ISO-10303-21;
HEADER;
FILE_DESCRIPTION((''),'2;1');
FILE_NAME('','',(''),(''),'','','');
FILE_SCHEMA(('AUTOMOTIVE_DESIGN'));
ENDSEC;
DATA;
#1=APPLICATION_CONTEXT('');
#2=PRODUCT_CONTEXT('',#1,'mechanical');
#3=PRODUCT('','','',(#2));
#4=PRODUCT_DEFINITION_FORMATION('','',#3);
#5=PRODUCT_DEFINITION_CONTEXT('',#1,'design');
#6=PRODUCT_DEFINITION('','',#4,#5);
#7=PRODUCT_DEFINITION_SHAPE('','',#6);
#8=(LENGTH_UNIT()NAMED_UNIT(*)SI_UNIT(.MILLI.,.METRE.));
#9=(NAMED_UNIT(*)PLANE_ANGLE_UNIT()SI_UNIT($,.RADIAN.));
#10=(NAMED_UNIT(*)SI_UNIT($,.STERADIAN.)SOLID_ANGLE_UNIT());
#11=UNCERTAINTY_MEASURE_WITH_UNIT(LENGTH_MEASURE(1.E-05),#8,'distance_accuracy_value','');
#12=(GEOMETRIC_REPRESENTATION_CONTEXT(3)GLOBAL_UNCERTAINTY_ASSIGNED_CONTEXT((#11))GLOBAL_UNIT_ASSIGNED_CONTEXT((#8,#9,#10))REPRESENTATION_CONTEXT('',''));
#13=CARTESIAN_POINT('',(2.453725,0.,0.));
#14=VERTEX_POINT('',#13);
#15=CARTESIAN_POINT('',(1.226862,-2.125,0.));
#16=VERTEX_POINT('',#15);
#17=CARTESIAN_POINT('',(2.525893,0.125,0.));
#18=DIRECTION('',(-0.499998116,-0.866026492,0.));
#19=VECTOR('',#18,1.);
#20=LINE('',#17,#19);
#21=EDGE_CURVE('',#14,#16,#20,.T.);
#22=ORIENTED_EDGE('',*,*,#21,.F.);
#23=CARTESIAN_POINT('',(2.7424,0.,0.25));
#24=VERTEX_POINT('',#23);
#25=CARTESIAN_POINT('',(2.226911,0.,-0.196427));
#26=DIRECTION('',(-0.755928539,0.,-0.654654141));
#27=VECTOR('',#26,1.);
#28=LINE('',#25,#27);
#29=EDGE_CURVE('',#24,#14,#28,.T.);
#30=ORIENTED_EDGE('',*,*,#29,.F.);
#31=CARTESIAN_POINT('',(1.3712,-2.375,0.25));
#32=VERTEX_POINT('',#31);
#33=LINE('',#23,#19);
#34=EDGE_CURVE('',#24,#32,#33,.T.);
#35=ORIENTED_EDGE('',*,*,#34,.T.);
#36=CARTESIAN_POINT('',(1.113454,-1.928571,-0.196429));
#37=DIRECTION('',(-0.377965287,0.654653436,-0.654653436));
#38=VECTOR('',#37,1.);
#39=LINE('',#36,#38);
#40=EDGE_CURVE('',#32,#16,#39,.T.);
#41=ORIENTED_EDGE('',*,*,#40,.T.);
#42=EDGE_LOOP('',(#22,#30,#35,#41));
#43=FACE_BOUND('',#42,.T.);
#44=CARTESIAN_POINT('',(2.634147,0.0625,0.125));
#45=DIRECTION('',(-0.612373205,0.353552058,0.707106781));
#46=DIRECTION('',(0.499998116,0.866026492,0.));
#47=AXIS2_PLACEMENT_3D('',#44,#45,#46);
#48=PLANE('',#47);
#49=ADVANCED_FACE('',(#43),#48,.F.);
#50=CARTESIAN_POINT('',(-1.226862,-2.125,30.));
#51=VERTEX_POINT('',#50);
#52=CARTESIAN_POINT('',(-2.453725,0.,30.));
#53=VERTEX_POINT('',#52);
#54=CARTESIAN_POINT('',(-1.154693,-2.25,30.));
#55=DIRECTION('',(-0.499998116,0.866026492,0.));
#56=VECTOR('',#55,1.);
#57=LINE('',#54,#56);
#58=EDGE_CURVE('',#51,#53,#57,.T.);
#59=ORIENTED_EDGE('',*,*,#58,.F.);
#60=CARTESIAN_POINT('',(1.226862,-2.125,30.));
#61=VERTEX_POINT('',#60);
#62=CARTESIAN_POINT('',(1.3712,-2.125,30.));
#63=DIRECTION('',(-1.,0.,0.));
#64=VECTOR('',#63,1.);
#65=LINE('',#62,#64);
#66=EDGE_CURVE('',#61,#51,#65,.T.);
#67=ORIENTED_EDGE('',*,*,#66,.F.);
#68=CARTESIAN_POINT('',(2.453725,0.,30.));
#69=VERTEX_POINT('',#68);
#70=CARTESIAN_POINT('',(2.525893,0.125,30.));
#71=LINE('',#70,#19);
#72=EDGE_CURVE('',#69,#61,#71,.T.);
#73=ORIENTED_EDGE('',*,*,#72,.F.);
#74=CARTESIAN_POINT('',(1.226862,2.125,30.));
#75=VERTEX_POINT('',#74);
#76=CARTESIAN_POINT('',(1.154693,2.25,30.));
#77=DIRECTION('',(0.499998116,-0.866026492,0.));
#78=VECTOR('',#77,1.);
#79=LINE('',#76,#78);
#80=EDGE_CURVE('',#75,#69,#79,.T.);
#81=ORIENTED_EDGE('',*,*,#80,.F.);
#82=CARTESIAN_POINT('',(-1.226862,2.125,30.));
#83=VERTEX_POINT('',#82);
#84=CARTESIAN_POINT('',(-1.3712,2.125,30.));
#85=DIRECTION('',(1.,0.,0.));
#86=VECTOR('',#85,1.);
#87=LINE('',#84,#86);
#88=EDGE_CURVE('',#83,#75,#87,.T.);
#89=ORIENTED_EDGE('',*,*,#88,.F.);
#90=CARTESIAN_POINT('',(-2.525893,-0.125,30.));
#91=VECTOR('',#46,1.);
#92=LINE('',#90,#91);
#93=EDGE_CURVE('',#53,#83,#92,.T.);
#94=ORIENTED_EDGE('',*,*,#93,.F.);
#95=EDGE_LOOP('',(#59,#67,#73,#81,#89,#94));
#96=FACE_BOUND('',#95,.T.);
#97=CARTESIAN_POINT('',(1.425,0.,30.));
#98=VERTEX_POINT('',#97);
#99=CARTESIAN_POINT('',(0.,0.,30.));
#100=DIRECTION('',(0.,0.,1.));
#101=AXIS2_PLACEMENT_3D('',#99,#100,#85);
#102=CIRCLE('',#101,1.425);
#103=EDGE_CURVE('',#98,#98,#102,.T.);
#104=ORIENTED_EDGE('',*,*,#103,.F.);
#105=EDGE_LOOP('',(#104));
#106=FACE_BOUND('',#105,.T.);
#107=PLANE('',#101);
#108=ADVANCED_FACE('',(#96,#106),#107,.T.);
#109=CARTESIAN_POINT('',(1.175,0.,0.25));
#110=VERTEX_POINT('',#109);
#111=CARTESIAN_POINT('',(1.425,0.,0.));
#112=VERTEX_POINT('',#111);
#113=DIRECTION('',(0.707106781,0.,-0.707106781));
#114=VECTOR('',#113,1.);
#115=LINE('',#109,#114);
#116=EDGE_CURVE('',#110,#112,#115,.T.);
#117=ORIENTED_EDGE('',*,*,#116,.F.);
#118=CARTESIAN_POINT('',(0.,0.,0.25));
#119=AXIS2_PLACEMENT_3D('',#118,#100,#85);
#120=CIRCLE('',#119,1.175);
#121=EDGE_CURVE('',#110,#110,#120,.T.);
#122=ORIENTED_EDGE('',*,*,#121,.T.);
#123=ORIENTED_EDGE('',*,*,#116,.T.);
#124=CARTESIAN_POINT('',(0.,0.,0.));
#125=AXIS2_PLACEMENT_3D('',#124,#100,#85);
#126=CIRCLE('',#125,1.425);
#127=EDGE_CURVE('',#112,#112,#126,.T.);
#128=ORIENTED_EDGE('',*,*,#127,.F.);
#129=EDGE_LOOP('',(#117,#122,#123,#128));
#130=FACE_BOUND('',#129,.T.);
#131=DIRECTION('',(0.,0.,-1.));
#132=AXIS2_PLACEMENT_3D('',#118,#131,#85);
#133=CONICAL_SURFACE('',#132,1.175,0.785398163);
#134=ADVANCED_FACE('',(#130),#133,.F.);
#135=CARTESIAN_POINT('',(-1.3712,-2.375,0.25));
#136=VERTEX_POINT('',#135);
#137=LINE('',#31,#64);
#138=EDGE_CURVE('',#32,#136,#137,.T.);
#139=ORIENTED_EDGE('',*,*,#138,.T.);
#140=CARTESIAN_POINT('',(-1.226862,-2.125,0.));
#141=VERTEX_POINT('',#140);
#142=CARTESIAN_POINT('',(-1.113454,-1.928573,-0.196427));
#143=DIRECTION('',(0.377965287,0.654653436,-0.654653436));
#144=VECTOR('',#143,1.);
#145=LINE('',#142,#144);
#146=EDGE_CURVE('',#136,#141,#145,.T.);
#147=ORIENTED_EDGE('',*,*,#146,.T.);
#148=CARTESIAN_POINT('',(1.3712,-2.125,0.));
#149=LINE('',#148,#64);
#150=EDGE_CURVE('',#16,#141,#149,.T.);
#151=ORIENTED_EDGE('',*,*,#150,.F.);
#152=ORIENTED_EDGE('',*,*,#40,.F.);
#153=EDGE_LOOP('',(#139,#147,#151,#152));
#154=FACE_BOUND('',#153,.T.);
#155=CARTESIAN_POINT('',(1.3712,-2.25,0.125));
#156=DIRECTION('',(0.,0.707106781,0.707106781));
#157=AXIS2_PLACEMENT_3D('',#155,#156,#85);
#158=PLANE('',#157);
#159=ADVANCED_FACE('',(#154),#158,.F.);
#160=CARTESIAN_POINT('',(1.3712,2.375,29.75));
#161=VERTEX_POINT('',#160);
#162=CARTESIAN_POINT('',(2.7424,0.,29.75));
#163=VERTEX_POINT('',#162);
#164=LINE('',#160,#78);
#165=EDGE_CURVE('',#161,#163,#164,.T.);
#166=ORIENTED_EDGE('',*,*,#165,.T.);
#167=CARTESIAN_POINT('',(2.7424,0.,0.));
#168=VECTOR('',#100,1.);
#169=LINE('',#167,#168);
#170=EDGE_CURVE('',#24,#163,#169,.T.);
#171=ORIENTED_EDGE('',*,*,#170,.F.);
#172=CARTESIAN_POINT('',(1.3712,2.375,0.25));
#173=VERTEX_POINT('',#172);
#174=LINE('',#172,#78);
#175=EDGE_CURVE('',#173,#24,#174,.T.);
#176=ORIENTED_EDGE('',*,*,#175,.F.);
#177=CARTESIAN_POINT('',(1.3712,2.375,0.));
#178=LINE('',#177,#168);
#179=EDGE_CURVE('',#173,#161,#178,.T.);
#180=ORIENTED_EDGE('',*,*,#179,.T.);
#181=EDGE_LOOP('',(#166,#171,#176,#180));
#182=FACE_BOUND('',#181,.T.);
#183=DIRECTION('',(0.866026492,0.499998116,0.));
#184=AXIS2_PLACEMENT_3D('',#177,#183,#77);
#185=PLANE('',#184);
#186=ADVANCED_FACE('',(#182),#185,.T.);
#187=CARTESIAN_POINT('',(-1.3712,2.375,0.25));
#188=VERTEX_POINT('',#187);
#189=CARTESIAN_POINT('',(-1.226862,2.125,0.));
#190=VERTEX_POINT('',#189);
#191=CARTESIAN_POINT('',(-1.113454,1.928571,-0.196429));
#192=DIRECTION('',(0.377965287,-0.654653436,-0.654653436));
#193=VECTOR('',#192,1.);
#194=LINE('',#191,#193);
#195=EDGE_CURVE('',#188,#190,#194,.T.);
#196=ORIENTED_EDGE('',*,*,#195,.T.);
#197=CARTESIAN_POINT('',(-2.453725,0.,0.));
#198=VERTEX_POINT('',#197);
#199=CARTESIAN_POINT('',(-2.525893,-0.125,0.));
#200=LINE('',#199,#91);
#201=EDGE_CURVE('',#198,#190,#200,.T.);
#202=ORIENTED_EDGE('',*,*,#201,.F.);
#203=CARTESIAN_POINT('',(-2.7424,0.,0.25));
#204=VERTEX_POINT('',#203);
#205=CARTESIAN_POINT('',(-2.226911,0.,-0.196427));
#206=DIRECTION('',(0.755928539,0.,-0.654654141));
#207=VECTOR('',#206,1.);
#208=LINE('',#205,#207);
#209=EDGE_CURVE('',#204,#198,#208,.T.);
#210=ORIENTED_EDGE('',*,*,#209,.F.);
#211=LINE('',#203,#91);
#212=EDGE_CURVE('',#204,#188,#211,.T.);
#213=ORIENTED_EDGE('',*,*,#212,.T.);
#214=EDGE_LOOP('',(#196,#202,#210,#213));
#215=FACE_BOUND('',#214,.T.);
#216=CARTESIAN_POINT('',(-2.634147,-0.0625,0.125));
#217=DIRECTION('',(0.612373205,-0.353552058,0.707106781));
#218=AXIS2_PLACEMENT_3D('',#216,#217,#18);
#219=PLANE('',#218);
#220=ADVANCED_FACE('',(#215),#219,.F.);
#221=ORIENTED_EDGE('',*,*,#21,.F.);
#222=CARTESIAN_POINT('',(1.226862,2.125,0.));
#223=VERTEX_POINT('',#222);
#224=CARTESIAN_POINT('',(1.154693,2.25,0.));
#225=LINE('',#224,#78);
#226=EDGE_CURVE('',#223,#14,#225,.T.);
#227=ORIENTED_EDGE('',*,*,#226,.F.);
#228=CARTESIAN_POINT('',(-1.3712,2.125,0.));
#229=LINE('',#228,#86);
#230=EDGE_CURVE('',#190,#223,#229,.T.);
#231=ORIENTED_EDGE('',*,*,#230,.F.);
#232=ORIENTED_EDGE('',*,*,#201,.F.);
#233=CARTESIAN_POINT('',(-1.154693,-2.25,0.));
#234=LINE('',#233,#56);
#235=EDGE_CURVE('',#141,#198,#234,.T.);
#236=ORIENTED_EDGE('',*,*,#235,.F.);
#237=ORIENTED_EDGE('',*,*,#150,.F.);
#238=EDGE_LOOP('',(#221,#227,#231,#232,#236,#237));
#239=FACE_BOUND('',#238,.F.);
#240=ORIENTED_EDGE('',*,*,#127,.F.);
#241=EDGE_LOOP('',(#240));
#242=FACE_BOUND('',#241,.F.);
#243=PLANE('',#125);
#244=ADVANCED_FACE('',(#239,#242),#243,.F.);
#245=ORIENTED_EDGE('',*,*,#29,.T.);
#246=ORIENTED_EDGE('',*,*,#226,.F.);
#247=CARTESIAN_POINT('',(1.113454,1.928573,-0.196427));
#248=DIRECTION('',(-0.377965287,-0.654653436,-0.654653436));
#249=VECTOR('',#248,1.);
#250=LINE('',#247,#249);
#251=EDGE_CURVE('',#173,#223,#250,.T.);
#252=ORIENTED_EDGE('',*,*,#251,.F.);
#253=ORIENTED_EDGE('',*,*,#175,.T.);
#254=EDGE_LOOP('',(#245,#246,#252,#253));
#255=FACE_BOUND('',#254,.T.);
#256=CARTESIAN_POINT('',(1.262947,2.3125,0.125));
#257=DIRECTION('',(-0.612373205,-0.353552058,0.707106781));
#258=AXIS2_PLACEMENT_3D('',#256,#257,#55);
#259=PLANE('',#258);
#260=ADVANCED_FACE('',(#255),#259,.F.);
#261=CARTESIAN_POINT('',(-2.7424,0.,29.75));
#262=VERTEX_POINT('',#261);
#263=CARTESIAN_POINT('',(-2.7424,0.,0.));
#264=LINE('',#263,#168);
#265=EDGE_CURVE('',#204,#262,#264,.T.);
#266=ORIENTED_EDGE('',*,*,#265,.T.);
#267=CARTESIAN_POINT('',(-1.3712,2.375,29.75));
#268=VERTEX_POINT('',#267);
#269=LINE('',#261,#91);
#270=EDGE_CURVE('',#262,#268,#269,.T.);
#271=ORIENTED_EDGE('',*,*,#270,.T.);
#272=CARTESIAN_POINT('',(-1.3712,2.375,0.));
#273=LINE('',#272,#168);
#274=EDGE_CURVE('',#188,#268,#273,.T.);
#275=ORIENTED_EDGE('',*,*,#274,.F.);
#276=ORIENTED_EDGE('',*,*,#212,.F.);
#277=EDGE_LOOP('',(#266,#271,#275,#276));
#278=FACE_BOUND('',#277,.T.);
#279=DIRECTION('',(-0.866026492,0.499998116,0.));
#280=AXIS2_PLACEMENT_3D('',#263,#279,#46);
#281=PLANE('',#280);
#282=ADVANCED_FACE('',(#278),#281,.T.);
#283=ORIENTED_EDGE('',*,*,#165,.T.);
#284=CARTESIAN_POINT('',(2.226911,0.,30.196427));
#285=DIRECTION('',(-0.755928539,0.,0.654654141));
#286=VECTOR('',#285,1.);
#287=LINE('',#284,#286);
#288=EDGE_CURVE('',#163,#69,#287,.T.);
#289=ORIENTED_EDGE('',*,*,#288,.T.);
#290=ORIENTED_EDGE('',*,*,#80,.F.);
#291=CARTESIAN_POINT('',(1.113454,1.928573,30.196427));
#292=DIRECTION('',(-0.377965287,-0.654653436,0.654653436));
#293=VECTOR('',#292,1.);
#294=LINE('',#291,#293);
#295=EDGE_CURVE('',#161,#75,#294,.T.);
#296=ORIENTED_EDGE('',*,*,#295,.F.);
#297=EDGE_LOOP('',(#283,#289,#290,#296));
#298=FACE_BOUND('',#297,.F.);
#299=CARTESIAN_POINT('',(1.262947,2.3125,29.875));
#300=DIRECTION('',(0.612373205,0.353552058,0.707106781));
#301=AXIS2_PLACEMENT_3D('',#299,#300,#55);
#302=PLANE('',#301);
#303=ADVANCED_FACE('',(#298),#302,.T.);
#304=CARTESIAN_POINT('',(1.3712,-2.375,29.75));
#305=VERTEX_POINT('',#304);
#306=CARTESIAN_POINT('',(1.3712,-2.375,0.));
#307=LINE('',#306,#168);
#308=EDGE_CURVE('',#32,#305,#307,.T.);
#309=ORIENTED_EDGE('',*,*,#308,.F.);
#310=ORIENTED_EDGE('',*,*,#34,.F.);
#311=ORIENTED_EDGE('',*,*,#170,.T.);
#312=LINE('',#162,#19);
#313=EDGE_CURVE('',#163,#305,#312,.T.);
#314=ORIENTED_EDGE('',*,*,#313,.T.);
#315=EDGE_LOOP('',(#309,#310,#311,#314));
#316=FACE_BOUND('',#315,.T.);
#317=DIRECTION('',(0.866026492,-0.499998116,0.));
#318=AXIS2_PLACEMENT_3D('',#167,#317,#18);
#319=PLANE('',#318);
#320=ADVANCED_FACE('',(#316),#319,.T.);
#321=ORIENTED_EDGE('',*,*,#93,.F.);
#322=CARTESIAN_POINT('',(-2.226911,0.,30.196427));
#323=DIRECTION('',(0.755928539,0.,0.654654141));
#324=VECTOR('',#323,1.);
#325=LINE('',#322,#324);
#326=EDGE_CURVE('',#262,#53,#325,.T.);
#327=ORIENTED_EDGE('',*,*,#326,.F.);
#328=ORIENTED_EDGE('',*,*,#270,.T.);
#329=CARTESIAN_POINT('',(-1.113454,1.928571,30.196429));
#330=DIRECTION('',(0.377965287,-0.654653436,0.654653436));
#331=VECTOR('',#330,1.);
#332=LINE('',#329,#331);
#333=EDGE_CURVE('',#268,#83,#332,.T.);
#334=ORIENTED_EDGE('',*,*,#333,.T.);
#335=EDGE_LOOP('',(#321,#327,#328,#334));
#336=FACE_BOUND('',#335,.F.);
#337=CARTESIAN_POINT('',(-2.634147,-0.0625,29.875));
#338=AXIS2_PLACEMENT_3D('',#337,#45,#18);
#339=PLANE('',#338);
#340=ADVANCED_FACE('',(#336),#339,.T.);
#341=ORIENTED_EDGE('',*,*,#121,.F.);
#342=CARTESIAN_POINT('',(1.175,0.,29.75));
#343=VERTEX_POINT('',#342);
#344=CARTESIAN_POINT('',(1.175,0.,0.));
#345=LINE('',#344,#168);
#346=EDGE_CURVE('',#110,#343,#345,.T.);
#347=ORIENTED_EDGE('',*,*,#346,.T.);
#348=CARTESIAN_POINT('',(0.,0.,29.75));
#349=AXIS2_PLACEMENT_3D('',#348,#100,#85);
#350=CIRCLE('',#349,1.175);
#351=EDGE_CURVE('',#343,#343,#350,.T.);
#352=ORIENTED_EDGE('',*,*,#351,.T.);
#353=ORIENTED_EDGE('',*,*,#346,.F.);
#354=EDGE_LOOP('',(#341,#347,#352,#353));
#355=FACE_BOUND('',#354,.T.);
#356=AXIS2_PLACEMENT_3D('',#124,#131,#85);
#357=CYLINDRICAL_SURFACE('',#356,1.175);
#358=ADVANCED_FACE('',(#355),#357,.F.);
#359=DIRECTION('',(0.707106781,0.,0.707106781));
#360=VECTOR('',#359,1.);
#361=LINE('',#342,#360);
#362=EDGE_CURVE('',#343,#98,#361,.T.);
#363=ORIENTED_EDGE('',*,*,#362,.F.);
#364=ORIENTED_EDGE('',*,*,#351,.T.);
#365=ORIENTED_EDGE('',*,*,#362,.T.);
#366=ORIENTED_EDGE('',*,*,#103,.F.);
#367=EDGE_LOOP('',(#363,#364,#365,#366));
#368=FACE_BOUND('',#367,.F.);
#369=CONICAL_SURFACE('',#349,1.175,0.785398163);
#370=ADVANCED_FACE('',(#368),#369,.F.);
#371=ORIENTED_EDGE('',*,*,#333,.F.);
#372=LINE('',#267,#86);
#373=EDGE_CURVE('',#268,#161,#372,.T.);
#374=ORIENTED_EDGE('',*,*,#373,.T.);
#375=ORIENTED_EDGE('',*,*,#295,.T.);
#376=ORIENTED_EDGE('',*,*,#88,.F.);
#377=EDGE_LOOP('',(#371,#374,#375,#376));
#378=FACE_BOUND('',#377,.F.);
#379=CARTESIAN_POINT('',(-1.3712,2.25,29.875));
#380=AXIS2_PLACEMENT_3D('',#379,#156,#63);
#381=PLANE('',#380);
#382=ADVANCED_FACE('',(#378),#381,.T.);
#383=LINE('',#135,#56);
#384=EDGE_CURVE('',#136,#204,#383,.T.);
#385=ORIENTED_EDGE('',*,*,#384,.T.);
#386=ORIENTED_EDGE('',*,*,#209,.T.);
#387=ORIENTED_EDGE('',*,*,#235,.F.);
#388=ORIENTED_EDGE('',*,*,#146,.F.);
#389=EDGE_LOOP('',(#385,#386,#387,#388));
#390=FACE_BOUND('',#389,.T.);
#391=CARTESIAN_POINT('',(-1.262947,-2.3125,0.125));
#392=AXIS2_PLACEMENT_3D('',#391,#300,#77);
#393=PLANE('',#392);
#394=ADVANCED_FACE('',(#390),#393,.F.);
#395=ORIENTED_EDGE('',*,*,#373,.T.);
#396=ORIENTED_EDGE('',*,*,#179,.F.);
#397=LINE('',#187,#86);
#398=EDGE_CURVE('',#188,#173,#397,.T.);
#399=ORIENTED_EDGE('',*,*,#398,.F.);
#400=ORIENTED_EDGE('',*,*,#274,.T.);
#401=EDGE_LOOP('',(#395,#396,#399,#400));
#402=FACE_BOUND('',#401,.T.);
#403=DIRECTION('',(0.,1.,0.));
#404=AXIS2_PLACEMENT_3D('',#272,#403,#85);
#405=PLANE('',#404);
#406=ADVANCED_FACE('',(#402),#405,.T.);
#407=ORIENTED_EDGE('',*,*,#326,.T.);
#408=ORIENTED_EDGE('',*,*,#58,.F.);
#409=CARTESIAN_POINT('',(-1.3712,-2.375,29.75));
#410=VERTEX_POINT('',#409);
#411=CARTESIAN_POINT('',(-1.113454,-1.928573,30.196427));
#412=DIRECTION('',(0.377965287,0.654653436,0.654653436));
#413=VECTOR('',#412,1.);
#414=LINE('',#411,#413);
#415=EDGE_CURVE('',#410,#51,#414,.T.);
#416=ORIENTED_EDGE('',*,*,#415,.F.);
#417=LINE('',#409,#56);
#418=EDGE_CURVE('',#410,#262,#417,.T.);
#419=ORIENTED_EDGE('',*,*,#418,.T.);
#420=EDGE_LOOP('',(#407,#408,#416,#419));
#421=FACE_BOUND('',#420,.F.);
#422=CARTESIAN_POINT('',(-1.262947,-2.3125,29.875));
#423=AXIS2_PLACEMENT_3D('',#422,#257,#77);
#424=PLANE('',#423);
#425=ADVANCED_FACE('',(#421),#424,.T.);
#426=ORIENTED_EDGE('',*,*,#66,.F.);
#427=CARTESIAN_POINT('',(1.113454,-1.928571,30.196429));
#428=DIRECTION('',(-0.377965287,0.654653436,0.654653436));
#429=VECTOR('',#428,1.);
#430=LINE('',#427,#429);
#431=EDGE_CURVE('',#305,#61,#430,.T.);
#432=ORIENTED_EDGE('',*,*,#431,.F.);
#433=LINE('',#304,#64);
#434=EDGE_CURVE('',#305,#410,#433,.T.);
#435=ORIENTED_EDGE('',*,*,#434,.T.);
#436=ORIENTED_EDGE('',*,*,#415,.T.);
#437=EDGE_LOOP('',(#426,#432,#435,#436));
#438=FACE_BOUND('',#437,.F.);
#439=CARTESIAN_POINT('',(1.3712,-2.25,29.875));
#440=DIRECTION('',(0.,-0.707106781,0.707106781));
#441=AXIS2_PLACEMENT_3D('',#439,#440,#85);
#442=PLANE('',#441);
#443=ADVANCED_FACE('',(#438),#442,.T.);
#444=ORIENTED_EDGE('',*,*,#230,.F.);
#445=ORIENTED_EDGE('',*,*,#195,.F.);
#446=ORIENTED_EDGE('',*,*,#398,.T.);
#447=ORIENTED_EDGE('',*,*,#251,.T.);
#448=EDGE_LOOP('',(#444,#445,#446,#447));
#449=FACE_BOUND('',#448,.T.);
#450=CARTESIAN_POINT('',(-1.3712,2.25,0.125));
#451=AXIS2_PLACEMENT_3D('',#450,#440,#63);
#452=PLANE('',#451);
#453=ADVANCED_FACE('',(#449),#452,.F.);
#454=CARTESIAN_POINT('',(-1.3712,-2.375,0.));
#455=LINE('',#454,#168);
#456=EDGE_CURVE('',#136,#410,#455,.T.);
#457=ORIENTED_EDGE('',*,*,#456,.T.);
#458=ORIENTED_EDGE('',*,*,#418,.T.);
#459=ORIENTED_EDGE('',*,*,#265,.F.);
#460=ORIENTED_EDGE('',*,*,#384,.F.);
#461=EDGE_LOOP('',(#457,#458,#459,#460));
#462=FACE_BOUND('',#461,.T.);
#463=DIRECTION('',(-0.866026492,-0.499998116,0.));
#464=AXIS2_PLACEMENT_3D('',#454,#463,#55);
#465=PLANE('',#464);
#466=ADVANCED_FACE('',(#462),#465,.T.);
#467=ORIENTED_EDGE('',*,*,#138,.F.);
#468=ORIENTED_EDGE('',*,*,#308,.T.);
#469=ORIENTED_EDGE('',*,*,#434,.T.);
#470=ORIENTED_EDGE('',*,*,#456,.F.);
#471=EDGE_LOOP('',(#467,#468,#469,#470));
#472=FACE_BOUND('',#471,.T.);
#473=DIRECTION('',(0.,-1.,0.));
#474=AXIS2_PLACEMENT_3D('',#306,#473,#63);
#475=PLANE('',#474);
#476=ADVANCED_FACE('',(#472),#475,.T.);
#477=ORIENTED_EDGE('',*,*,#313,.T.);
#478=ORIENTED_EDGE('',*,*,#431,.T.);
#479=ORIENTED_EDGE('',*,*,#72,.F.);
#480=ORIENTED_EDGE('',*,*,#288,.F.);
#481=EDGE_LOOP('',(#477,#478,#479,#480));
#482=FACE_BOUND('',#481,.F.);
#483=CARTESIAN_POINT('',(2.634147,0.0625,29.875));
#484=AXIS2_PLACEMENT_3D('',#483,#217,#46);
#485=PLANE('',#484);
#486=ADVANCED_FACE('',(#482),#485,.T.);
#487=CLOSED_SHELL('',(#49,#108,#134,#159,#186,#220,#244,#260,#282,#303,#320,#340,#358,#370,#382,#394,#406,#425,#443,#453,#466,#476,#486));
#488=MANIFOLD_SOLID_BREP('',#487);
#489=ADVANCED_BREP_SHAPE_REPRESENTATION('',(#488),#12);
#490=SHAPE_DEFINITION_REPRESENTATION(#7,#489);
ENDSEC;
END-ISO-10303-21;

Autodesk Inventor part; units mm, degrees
ref_plane "YZ Plane" through (0, 0, 0) normal (1, 0, 0) x (0, 1, 0)
ref_plane "XZ Plane" through (0, 0, 0) normal (0, 1, 0) x (-1, 0, 0)
ref_plane "XY Plane" through (0, 0, 0) normal (0, 0, 1) x (1, 0, 0)
sketch "Sketch1" plane through (0, 0, 0) normal (0, 0, 1) x (1, 0, 0)
  line L0 (1.3712, 2.375) -> (2.7424, 0)
  line L1 (2.7424, 0) -> (1.3712, -2.375)
  line L2 (1.3712, -2.375) -> (-1.3712, -2.375)
  line L3 (-1.3712, -2.375) -> (-2.7424, 0)
  line L4 (-2.7424, 0) -> (-1.3712, 2.375)
  line L5 (-1.3712, 2.375) -> (1.3712, 2.375)
  circle A0 centre (0, 0) radius 1.175
  dimension "d0" = 4.75
  dimension "d1" = 2.35
extrude "Extrusion1" add sketch "Sketch1" along normal blind 30
thread "Thread1" size "M2.5x0.45" class "6H" standard "ANSI Metric M Profile" full length
chamfer "Chamfer1" distance 0.25 angle 45 14 edges at (0, 2.375, 30) (-2.0568, 1.1875, 30) (-2.0568, -1.1875, 30) (2.0568, -1.1875, 30) (2.0568, 1.1875, 30) (2.0568, 1.1875, 0) (0, 2.375, 0) (-2.0568, 1.1875, 0) (-2.0568, -1.1875, 0) (-1.175, 0, 0) (0, -2.375, 0) (2.0568, -1.1875, 0) (-1.175, 0, 30) (0, -2.375, 30)
properties part number "Part3_Poste largo de latón"
